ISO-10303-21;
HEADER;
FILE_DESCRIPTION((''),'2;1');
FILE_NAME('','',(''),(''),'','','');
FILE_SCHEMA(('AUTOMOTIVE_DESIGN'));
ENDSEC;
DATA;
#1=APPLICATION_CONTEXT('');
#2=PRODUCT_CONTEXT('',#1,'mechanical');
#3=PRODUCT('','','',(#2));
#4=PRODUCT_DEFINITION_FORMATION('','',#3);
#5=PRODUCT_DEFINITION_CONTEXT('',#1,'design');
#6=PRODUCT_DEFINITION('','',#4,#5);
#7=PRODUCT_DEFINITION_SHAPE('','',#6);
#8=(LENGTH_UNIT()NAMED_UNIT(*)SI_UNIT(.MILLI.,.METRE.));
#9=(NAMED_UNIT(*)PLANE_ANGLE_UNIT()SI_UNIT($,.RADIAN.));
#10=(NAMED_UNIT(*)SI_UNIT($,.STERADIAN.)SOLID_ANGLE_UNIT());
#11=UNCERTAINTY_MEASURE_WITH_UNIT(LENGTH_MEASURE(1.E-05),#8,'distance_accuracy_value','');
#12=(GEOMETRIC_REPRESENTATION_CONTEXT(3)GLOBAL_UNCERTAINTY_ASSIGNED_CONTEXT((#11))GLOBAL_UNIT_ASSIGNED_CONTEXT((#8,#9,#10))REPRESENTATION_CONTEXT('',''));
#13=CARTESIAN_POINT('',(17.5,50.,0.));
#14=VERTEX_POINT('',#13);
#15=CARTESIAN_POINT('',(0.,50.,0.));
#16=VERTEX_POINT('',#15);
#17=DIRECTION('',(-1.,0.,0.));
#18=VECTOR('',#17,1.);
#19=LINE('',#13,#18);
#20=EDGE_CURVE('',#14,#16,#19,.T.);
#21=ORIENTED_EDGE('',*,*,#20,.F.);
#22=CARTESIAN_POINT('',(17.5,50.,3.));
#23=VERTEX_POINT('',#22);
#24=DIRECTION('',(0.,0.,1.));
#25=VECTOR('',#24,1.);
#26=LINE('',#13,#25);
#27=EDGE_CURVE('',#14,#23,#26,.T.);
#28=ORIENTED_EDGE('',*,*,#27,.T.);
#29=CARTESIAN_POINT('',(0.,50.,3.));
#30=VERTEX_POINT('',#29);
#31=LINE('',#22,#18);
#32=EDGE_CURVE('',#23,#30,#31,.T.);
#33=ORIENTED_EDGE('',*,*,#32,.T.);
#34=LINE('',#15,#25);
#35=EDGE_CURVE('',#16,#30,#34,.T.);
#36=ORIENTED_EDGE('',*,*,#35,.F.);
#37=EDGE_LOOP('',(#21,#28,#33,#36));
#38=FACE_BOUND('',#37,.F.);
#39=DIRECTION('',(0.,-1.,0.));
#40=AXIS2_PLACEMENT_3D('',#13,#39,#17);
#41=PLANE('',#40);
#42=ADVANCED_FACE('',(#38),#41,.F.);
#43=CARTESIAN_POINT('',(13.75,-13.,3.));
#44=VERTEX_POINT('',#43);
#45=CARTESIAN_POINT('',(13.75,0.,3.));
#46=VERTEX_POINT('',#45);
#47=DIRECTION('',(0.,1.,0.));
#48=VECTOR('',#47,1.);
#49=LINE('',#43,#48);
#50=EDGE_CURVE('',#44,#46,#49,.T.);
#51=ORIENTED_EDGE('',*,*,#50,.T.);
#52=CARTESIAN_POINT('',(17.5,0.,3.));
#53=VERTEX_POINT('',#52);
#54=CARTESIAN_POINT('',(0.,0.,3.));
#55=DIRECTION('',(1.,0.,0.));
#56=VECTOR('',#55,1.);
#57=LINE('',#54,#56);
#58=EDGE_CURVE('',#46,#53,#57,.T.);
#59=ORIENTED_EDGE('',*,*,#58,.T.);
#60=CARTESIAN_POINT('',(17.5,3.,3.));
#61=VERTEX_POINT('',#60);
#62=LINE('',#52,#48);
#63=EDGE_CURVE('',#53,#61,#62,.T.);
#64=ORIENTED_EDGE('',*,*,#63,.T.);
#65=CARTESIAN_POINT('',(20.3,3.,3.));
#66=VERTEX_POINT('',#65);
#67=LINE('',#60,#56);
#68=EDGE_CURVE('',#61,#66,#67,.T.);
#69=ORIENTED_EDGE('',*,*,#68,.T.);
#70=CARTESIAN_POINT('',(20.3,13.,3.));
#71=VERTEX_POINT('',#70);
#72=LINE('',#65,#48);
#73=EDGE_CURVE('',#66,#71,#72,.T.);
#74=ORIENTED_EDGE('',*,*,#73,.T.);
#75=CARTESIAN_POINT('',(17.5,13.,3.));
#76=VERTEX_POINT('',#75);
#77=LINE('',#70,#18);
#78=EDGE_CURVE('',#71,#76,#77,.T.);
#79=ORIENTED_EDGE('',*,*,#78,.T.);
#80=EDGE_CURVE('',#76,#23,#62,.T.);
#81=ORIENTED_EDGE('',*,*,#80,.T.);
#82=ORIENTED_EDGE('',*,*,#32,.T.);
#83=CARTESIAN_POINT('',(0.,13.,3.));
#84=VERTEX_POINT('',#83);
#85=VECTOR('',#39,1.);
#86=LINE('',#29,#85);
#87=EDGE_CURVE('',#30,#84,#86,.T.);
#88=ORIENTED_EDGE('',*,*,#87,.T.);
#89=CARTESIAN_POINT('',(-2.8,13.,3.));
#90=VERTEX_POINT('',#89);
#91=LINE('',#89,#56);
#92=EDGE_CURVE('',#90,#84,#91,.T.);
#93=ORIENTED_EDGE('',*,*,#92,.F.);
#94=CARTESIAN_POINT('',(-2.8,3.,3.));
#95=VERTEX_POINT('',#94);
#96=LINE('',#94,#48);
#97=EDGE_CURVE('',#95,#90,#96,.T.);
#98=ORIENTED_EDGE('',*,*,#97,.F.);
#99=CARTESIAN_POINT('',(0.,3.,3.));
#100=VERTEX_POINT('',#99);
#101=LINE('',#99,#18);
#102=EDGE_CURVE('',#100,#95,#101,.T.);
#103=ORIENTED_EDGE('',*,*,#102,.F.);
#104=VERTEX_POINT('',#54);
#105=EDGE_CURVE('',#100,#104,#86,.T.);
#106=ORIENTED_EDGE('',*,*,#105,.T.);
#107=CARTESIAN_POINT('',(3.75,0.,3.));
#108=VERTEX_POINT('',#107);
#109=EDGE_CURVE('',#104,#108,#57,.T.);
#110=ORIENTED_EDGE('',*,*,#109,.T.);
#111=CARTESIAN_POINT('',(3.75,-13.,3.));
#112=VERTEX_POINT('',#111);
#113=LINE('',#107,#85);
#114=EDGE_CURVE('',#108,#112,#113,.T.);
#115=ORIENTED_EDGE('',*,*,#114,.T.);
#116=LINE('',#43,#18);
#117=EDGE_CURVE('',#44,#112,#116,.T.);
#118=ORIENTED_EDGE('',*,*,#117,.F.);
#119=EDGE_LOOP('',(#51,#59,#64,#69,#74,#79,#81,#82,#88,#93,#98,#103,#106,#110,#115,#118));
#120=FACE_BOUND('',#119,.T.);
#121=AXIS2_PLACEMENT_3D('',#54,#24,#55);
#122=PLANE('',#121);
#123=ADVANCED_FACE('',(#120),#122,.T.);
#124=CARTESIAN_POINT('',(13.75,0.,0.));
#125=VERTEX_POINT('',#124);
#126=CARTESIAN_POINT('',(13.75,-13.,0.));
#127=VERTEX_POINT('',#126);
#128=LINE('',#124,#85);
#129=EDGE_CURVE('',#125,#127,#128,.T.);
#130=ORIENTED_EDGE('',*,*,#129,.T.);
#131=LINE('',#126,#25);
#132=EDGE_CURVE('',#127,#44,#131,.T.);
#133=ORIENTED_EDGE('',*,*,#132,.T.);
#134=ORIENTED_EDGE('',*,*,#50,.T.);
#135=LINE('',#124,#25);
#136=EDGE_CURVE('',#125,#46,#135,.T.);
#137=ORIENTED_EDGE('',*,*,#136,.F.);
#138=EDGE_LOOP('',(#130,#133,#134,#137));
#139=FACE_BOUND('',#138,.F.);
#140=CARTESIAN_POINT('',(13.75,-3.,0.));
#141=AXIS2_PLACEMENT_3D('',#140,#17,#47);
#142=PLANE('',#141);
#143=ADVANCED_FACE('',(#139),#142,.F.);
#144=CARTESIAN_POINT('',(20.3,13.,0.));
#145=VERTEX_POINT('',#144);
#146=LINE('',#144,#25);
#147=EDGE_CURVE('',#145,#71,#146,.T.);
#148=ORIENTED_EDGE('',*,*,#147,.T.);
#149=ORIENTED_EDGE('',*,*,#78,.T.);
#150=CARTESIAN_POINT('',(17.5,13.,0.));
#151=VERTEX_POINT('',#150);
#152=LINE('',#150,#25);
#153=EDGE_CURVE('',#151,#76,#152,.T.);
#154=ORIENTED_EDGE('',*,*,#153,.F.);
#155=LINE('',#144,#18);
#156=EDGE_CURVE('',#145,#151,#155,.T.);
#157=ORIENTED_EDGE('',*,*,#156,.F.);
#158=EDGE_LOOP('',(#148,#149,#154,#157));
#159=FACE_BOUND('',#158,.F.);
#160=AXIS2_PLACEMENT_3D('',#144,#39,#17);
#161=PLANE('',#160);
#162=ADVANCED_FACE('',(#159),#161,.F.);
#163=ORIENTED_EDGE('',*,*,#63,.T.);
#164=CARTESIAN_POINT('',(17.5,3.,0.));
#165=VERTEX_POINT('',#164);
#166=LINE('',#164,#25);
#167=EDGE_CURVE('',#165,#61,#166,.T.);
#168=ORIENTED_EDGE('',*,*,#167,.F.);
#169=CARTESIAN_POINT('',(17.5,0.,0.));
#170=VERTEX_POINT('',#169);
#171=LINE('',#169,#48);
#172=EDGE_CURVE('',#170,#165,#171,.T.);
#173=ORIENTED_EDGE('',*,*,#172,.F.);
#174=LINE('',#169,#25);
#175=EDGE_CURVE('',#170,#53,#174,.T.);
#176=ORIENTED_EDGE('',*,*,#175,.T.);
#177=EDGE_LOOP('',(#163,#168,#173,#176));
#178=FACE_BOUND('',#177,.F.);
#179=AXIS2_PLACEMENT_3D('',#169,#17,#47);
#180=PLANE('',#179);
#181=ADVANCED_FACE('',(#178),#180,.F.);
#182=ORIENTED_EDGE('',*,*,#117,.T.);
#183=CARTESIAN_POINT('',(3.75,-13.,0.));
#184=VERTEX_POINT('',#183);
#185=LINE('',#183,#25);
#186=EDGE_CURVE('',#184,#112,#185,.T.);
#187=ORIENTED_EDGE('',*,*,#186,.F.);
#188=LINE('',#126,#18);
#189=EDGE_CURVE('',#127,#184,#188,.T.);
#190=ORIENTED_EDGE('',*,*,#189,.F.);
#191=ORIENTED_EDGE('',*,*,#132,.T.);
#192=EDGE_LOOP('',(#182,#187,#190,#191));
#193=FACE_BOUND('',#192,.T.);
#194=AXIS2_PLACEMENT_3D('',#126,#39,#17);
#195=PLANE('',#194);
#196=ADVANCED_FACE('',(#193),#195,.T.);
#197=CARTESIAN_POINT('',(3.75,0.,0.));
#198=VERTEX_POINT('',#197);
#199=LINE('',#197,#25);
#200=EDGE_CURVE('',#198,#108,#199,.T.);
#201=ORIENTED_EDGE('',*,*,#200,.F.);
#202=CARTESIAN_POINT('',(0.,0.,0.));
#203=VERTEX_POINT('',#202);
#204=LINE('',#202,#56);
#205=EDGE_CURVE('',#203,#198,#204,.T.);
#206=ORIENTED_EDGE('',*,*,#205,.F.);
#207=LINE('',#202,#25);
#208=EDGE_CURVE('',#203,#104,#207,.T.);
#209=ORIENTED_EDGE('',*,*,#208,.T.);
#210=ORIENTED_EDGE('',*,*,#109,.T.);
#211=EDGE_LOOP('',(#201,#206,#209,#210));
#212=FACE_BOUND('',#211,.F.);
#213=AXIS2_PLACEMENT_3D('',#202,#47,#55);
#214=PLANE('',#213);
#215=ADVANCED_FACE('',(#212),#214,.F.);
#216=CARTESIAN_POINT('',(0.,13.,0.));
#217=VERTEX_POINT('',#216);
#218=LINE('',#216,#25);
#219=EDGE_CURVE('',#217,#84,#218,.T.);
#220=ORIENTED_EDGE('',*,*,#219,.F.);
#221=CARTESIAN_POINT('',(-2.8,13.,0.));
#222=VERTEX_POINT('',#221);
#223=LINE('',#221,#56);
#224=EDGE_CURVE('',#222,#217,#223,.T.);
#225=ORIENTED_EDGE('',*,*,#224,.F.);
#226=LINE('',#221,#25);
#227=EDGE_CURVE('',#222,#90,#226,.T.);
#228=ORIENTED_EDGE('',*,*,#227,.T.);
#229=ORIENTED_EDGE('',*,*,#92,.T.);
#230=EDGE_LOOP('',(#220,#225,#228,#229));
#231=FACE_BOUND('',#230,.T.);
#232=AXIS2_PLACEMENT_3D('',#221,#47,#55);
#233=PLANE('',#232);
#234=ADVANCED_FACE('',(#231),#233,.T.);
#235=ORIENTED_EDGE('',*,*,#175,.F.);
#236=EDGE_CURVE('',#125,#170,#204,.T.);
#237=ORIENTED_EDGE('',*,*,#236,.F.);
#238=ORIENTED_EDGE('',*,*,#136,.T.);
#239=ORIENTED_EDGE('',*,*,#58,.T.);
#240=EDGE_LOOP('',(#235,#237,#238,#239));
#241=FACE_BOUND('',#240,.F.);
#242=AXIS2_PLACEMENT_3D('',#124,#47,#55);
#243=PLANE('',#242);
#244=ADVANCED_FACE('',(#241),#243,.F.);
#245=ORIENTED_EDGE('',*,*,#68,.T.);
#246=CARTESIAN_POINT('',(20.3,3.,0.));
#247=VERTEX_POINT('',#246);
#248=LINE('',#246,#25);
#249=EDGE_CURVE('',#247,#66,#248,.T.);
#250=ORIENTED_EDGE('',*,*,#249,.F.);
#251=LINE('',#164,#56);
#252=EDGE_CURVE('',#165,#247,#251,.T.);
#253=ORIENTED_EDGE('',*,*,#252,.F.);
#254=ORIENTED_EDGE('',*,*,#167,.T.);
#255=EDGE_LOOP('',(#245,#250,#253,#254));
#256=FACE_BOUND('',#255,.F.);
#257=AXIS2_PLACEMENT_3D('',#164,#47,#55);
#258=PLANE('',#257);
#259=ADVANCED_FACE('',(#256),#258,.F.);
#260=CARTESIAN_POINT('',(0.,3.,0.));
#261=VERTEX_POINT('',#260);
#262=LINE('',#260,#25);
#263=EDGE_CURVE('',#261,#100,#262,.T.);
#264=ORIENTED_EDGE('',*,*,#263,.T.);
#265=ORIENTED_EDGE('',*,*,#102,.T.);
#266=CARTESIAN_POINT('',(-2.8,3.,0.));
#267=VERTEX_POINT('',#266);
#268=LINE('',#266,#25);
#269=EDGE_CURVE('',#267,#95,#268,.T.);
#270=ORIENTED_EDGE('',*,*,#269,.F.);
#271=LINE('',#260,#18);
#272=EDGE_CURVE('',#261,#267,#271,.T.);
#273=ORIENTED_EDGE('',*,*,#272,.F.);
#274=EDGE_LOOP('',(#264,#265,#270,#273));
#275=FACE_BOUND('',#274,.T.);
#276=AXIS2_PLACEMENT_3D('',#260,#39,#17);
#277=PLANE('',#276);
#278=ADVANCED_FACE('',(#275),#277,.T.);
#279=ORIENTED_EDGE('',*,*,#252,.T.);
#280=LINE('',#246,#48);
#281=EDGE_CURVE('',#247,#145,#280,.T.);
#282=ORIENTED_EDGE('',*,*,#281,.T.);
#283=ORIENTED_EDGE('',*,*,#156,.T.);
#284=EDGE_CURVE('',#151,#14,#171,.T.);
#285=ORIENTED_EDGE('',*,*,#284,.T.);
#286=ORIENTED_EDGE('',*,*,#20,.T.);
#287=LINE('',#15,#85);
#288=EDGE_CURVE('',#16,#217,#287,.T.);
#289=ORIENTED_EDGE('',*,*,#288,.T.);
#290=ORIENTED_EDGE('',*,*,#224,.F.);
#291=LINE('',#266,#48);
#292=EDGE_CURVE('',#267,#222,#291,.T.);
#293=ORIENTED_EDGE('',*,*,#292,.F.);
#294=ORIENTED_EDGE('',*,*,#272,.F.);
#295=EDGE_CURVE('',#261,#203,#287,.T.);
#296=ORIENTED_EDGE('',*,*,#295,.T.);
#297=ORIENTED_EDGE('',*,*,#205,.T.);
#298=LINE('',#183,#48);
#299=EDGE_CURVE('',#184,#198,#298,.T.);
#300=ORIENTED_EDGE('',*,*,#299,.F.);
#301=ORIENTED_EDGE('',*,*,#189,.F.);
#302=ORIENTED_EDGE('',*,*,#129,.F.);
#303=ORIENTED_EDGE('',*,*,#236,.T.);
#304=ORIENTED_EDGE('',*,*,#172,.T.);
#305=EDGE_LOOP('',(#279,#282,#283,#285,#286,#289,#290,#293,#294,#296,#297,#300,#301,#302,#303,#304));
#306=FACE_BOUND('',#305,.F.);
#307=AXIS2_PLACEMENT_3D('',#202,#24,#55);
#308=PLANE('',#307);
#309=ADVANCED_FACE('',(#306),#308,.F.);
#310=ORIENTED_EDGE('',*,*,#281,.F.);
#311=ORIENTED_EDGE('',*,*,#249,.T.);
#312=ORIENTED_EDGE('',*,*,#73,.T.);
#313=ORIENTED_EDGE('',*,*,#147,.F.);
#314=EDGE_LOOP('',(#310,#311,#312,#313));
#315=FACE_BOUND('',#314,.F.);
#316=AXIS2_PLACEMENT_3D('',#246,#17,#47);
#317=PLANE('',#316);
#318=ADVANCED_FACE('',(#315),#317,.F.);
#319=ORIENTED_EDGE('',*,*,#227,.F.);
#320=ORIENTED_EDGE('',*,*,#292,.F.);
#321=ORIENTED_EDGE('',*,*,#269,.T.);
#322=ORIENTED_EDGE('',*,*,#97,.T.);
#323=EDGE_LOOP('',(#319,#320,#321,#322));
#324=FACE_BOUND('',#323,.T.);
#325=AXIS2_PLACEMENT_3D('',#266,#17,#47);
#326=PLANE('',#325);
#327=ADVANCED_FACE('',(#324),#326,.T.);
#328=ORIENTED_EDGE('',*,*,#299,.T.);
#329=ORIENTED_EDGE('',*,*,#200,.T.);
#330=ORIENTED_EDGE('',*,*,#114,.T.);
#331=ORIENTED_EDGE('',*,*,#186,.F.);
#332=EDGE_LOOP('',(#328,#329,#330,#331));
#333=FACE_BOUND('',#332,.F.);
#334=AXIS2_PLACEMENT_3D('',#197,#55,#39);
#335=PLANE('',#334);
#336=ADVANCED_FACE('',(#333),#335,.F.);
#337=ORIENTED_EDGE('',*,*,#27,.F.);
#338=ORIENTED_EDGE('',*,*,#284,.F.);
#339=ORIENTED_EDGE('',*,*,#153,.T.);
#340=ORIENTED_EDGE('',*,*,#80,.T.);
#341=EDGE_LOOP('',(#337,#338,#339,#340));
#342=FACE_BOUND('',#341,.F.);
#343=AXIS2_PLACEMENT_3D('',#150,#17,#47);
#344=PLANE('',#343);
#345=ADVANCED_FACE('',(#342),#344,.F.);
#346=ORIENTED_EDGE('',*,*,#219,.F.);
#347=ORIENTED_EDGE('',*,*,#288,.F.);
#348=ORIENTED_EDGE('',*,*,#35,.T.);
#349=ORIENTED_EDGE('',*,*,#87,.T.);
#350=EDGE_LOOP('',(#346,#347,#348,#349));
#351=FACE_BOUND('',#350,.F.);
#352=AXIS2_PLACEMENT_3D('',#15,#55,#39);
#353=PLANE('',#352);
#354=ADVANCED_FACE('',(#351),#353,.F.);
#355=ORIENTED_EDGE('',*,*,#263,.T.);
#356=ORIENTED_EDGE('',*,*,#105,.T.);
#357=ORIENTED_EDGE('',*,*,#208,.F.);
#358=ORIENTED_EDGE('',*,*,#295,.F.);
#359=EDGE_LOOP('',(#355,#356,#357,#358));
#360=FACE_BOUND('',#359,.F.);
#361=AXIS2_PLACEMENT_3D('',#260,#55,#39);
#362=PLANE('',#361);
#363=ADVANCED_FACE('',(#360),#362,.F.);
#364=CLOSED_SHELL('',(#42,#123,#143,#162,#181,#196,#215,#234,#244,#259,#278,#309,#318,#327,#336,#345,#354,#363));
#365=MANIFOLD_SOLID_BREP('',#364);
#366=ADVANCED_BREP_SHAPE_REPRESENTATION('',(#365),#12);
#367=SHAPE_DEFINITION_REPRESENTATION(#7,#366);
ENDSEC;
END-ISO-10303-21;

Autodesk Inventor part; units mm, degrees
ref_plane "YZ Plane" through (0, 0, 0) normal (1, 0, 0) x (0, 1, 0)
ref_plane "XZ Plane" through (0, 0, 0) normal (0, 1, 0) x (-1, 0, 0)
ref_plane "XY Plane" through (0, 0, 0) normal (0, 0, 1) x (1, 0, 0)
sketch "Sketch1" plane through (0, 0, 0) normal (0, 0, 1) x (1, 0, 0)
  line L0 (0, 0) -> (17.5, 0)
  line L1 (17.5, 0) -> (17.5, 50)
  line L2 (17.5, 50) -> (0, 50)
  line L3 (0, 50) -> (0, 0)
  line L4 (3.75, -3) -> (13.75, -3)
  line L5 (13.75, -3) -> (13.75, 0)
  line L6 (13.75, 0) -> (3.75, 0)
  line L7 (3.75, 0) -> (3.75, -3)
  line L8 (3.75, -3) -> (13.75, 0) construction
  line L9 (13.75, -3) -> (3.75, 0) construction
  line L10 (0, 3) -> (-2.8, 3)
  line L11 (-2.8, 3) -> (-2.8, 13)
  line L12 (-2.8, 13) -> (0, 13)
  line L13 (0, 13) -> (0, 3)
  line L14 (17.5, 3) -> (20.3, 3)
  line L15 (20.3, 3) -> (20.3, 13)
  line L16 (20.3, 13) -> (17.5, 13)
  line L17 (17.5, 13) -> (17.5, 3)
  line L18 (3.75, -3) -> (13.75, -3)
  line L19 (13.75, -3) -> (13.75, -13)
  line L20 (13.75, -13) -> (3.75, -13)
  line L21 (3.75, -13) -> (3.75, -3)
  point P0 (8.75, -1.5)
  point P1 (8.75, 0)
  point P2 (3.75, 0)
  point P3 (17.5, 13)
  point P4 (0, 13)
  dimension "d0" = 17.5
  dimension "d1" = 10
  dimension "d2" = 3
  dimension "d3" = 3
  dimension "d4" = 10
  dimension "d5" = 2.8
  dimension "d6" = 2.8
  dimension "d7" = 50
  dimension "d10" = 10
extrude "Extrusion1" add sketch "Sketch1" along normal blind 3
properties part number "contact_board3"
